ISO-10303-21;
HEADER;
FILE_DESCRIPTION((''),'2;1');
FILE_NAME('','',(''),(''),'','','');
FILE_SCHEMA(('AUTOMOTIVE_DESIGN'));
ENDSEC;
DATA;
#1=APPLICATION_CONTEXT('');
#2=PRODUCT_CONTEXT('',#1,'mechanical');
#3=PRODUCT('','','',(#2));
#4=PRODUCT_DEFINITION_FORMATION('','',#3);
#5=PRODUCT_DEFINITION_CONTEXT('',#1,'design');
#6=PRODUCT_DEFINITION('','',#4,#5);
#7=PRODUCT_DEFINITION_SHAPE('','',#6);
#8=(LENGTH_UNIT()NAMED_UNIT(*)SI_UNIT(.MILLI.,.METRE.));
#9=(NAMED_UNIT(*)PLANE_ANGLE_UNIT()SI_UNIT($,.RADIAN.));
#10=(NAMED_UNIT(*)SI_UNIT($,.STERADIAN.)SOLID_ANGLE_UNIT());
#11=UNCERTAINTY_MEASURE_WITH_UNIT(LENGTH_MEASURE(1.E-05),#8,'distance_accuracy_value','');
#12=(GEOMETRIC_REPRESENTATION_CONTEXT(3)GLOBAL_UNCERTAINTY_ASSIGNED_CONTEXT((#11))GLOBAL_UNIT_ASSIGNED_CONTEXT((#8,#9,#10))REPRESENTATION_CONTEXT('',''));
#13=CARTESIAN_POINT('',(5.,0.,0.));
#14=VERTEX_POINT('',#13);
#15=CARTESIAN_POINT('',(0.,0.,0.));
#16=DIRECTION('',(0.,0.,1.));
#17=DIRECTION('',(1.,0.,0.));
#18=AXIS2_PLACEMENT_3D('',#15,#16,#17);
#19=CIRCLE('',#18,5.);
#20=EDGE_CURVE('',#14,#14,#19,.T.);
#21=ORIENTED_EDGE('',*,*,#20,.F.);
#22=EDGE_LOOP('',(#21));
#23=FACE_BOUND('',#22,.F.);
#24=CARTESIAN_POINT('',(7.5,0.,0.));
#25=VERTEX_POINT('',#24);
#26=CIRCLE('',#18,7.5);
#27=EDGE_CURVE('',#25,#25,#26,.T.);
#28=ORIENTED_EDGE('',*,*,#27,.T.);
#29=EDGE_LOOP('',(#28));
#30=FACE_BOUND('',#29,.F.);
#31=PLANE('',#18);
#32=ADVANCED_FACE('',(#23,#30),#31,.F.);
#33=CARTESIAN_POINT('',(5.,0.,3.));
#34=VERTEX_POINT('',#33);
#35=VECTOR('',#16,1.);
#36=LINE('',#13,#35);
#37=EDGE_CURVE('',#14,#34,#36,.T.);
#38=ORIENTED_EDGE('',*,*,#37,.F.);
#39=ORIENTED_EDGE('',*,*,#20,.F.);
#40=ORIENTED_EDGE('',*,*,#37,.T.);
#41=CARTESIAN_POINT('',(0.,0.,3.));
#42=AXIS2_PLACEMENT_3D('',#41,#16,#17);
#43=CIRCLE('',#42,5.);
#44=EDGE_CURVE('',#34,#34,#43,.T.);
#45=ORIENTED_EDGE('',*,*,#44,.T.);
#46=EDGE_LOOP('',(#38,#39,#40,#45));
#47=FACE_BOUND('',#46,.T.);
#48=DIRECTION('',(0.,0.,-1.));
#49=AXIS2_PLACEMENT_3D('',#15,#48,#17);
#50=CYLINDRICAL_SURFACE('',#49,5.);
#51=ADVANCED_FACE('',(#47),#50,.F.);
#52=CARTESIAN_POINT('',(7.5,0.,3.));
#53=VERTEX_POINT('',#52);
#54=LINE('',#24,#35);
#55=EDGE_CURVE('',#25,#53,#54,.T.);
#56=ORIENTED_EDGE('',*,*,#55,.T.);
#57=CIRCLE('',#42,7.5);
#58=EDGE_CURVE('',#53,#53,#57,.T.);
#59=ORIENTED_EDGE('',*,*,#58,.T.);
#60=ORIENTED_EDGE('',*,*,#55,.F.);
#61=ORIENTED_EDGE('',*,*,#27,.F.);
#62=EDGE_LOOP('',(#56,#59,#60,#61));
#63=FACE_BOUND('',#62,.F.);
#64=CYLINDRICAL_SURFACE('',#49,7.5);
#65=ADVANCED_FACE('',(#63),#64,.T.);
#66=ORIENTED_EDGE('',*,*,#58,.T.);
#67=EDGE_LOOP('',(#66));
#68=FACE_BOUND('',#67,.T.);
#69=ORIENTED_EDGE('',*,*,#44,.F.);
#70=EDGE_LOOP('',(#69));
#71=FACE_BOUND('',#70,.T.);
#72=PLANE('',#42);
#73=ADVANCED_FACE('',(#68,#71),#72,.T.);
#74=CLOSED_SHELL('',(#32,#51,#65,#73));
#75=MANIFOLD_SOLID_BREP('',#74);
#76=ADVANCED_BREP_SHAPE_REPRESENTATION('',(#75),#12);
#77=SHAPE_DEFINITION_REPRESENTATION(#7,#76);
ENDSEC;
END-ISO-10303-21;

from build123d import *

# Parameters (mm, degrees)
SKETCH1_R           = 7.5
SKETCH1_R_2         = 5
BOSS_EXTRUDE1_DEPTH = 3


with BuildPart() as part:
    # Sketch1 → Boss-Extrude1 (new body)
    with BuildSketch(Plane.XY):
        Circle(SKETCH1_R)
        Circle(SKETCH1_R_2, mode=Mode.SUBTRACT)
    extrude(amount=BOSS_EXTRUDE1_DEPTH)


solid = part.part
